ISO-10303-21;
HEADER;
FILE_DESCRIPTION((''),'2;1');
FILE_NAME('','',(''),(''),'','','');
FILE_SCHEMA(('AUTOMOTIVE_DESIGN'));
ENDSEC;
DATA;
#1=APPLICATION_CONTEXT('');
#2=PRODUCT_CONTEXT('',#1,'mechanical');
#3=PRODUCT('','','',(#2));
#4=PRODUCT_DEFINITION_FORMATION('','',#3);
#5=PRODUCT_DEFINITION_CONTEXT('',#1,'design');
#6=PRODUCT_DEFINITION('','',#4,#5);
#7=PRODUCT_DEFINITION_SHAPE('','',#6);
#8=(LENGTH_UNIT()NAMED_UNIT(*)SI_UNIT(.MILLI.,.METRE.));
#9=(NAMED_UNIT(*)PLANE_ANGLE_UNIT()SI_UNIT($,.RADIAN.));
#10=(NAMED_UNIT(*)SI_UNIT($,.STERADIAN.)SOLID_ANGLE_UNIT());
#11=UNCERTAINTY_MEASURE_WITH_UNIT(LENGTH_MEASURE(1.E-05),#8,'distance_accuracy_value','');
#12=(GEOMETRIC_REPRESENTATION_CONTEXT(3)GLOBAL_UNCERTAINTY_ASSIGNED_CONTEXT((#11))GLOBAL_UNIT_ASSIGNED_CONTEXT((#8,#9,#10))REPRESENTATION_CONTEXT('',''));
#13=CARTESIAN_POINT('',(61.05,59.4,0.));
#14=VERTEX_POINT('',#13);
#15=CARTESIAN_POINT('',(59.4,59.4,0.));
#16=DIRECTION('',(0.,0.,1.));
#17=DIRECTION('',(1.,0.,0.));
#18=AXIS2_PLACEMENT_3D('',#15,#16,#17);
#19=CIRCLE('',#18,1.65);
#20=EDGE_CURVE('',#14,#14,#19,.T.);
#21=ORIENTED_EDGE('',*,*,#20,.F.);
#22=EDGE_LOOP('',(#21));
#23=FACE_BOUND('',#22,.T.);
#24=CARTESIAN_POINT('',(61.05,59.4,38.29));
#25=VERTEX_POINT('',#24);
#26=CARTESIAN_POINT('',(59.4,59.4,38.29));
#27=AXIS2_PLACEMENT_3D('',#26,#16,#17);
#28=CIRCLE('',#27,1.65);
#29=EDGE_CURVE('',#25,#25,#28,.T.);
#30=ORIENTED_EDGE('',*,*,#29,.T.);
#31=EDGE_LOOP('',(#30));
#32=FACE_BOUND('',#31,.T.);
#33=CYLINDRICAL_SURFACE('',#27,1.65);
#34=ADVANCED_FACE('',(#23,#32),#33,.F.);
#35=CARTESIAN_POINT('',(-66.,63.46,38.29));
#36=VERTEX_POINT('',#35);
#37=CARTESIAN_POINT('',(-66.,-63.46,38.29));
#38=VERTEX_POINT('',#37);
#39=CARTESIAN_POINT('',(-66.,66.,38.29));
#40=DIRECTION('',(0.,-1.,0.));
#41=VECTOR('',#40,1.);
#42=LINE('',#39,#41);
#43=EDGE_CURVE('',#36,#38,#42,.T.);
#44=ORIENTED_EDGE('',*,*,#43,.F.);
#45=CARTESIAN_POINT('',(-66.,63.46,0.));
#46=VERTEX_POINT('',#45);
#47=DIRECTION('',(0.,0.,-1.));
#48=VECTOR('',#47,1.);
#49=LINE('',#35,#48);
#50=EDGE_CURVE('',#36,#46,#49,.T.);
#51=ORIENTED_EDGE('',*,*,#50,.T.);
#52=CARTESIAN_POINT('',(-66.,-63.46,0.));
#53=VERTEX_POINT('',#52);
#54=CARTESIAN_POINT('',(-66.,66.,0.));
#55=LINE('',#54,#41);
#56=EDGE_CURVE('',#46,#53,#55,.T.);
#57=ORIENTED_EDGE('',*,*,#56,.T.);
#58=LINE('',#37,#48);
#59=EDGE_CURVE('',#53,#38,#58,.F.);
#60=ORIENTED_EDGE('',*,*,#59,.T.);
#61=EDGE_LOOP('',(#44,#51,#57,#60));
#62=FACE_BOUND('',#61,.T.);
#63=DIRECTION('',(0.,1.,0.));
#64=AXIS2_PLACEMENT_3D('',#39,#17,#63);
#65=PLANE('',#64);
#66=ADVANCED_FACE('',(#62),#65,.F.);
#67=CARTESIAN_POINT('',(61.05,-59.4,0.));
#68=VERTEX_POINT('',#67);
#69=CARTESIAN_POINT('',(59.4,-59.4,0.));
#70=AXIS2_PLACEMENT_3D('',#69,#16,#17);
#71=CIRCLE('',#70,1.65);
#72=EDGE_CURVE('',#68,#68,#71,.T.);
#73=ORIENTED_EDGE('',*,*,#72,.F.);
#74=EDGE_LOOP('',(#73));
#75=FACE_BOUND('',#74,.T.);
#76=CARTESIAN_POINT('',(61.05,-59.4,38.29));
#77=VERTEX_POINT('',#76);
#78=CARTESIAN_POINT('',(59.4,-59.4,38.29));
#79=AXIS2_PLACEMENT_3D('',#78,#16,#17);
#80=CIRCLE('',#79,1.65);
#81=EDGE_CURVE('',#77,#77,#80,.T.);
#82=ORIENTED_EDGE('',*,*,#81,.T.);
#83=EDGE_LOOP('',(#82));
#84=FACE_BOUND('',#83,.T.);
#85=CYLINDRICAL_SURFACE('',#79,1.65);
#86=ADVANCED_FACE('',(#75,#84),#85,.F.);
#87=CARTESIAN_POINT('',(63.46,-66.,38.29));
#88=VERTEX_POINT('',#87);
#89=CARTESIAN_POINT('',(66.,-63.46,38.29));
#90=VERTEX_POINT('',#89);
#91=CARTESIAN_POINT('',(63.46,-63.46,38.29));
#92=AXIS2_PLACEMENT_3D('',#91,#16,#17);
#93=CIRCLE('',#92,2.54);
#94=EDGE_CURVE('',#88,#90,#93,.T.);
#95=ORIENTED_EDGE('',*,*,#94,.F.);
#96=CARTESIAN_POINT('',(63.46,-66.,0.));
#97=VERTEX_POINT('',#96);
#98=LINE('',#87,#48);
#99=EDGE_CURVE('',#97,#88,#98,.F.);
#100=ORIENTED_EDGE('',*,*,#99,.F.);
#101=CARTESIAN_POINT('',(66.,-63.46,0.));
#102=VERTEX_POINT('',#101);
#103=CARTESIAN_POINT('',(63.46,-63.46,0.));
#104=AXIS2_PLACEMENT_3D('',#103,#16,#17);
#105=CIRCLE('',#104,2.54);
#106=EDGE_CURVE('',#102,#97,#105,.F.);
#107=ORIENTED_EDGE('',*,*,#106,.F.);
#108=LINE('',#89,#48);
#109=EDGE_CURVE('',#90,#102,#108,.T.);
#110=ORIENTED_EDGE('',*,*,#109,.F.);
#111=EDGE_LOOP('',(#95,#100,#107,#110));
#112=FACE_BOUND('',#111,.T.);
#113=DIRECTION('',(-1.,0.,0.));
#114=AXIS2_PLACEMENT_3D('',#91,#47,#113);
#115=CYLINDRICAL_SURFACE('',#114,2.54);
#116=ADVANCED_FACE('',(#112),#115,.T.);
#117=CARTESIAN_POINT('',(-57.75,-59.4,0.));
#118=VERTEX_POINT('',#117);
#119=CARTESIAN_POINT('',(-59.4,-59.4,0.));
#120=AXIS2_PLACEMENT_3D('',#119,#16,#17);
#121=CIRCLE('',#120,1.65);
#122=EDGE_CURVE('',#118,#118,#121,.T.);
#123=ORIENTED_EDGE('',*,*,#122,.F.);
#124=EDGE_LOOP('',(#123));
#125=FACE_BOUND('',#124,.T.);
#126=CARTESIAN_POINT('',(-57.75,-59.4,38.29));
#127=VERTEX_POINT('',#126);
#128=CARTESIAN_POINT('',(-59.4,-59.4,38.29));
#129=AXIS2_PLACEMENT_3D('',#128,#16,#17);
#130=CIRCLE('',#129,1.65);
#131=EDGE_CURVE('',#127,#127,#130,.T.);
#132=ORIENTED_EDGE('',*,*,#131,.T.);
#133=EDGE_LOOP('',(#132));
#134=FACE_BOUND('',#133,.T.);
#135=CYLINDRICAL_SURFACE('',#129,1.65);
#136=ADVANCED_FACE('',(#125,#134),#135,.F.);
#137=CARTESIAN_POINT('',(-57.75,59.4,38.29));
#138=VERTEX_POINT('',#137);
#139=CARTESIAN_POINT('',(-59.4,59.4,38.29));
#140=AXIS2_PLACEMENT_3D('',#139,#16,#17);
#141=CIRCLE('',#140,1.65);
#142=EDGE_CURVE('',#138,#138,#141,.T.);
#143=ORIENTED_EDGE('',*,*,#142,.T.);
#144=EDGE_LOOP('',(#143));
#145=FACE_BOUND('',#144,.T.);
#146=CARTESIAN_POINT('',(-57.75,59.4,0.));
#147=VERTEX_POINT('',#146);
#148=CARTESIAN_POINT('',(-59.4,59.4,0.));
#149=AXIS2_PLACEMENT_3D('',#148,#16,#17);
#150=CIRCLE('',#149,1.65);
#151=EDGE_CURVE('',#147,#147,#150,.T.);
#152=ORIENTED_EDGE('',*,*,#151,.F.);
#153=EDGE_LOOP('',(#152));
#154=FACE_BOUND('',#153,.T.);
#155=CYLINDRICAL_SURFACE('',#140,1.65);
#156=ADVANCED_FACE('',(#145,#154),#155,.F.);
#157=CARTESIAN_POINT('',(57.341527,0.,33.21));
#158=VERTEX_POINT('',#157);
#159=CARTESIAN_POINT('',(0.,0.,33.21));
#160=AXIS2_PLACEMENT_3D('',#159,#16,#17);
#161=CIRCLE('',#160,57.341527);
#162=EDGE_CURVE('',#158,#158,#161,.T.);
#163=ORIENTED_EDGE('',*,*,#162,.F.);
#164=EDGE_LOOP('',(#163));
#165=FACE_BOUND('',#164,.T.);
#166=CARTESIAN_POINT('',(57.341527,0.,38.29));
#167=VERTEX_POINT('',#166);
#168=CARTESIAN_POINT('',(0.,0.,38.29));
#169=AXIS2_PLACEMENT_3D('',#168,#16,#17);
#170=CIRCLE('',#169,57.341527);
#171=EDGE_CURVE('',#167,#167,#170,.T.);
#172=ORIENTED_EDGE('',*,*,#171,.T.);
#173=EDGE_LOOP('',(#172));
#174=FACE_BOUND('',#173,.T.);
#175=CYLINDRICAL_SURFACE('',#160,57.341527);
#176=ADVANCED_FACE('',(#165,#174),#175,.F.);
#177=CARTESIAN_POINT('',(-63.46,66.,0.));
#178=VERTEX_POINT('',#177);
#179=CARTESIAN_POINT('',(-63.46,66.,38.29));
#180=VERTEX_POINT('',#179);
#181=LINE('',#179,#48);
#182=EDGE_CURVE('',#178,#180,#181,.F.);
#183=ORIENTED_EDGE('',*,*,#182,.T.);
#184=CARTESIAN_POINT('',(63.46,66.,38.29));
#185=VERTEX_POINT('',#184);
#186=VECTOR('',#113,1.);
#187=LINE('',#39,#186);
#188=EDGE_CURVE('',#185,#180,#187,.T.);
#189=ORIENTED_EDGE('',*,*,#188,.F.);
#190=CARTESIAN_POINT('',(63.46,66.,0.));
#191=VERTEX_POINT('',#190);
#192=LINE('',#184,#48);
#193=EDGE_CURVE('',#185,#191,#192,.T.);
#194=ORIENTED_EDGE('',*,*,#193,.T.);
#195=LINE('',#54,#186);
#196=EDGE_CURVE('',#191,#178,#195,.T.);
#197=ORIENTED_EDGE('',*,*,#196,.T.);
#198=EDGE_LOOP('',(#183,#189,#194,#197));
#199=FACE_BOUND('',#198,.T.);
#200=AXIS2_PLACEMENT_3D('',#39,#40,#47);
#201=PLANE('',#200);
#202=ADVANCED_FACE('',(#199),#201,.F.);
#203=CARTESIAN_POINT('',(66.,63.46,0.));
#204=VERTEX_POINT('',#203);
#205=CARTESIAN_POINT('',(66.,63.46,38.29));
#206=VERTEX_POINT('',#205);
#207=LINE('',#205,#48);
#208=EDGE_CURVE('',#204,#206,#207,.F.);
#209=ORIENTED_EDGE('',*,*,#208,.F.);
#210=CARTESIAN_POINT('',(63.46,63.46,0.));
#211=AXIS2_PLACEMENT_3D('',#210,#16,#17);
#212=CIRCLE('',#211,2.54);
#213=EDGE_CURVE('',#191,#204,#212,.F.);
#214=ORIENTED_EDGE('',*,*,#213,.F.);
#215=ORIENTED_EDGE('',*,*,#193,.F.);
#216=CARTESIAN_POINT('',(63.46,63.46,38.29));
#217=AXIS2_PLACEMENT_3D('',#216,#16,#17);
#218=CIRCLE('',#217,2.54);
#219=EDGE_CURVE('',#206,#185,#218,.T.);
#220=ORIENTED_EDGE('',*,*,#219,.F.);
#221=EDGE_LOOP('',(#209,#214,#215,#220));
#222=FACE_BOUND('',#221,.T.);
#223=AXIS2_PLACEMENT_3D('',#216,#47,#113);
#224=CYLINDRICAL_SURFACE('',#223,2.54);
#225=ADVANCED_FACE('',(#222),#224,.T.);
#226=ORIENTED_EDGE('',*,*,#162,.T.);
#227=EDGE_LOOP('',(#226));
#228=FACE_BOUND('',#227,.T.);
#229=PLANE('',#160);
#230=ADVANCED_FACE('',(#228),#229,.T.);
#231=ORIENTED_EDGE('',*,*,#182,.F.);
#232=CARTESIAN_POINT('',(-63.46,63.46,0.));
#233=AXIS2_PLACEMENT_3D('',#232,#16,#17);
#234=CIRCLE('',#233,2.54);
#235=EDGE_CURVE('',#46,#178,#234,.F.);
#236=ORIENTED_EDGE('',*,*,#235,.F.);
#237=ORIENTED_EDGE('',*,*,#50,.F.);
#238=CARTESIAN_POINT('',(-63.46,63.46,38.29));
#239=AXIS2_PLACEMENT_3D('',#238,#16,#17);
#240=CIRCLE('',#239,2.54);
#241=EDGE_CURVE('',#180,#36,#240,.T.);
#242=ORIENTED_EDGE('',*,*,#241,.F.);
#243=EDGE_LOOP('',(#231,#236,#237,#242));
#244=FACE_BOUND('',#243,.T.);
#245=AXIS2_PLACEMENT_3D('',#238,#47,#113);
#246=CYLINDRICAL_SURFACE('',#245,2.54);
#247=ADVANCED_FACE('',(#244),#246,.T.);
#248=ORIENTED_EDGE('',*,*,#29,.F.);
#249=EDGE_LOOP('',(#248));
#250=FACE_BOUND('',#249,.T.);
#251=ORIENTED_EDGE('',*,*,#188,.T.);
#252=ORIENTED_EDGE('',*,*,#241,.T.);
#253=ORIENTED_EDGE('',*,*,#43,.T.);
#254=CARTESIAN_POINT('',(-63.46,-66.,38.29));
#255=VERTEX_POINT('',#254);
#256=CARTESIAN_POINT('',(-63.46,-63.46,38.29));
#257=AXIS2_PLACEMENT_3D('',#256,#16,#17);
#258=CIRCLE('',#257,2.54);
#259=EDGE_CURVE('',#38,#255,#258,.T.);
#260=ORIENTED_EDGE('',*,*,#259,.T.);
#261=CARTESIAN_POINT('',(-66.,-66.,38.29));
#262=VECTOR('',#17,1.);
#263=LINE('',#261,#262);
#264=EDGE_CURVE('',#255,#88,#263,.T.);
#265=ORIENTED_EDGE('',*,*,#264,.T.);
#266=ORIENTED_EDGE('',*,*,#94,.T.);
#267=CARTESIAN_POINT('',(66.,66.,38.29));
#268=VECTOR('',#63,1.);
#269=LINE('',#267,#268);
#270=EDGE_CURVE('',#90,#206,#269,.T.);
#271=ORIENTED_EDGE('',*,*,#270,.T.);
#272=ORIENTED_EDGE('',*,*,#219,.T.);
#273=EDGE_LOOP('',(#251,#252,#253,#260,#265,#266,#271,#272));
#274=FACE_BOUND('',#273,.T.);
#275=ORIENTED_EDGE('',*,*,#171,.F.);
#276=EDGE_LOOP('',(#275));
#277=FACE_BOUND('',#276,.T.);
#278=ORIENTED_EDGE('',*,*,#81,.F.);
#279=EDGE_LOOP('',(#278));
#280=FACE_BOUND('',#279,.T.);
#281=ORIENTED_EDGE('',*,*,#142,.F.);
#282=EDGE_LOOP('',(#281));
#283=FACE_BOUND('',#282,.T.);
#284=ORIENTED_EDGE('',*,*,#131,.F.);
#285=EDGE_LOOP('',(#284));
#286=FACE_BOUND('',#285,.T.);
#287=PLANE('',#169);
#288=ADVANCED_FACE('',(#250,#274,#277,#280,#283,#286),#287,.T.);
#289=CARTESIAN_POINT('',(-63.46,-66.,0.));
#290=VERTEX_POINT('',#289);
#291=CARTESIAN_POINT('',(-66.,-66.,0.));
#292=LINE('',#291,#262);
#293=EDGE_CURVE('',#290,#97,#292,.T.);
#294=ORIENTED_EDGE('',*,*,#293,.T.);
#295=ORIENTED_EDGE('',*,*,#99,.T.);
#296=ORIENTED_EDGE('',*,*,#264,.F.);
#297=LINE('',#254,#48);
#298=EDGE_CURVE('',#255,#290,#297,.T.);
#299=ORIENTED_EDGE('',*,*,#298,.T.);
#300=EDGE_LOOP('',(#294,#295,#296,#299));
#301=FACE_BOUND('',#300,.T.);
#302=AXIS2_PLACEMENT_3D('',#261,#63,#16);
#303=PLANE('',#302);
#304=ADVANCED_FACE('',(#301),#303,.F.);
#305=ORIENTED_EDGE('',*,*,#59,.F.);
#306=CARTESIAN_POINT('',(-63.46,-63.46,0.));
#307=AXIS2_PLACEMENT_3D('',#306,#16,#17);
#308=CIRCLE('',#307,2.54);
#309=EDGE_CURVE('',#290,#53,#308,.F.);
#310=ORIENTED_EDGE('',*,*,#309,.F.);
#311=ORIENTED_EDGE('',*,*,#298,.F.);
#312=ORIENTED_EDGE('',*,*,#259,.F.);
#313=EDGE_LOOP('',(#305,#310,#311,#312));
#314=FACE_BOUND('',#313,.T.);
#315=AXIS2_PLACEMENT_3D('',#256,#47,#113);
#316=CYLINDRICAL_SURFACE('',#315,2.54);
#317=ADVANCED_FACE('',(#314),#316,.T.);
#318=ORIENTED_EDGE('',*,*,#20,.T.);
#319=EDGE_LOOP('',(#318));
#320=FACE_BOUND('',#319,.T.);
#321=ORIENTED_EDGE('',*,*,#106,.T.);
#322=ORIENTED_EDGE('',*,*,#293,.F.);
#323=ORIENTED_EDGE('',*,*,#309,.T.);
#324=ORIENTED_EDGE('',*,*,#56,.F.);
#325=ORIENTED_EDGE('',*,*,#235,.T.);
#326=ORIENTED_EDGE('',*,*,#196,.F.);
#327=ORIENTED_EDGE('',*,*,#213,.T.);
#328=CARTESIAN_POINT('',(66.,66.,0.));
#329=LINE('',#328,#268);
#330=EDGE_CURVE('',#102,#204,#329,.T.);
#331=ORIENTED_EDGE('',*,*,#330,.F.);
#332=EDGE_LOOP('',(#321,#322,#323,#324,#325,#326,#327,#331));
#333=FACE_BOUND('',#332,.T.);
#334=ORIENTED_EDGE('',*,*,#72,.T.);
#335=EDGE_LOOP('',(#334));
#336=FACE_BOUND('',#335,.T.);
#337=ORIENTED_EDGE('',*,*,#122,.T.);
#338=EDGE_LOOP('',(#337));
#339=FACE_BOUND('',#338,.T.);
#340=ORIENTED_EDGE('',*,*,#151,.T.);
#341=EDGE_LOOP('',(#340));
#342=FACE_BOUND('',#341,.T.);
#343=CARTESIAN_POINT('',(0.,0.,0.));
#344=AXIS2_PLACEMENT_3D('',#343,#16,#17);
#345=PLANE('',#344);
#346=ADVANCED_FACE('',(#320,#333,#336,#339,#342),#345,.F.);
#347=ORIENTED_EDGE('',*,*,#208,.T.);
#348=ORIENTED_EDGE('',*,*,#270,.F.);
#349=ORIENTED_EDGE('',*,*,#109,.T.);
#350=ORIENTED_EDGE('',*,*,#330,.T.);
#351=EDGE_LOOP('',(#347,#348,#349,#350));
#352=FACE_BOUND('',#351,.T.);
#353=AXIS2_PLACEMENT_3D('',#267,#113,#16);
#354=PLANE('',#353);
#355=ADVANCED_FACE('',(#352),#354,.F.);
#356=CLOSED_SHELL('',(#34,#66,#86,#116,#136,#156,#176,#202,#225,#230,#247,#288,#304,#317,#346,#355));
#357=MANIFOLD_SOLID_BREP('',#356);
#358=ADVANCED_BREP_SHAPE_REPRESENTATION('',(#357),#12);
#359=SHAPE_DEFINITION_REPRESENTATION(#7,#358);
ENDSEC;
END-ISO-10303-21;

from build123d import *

# Parameters (mm, degrees)
SKETCH1_W             = 132
SKETCH1_H             = 132
BOSS_EXTRUDE1_DEPTH   = 38.29
FILLET1_R             = 2.54
M4X0_7_TAPPED_HOLE1_D = 3.3
SKETCH4_R             = 57.341527379
CUT_EXTRUDE1_DEPTH    = 5.08


with BuildPart() as part:
    # Sketch1 → Boss-Extrude1 (new body)
    with BuildSketch(Plane.XY):
        Rectangle(SKETCH1_W, SKETCH1_H)
    extrude(amount=BOSS_EXTRUDE1_DEPTH)

    # Fillet1
    fillet1_edges = [part.edges().sort_by_distance(p)[0] for p in [
        (66, -66, 19.145),
        (-66, -66, 19.145),
        (-66, 66, 19.145),
        (66, 66, 19.145),
    ]]
    fillet(fillet1_edges, radius=FILLET1_R)

    # M4x0.7 Tapped Hole1 (through all)
    with Locations(Plane.XY.offset(38.29)):
        with Locations((-59.4, 59.4), (59.4, 59.4), (59.4, -59.4), (-59.4, -59.4)):
            Hole(M4X0_7_TAPPED_HOLE1_D / 2)

    # Sketch4 → Cut-Extrude1 (cut)
    with BuildSketch(Plane.XY.offset(38.29)):
        Circle(SKETCH4_R)
    extrude(amount=-CUT_EXTRUDE1_DEPTH, mode=Mode.SUBTRACT)


solid = part.part
